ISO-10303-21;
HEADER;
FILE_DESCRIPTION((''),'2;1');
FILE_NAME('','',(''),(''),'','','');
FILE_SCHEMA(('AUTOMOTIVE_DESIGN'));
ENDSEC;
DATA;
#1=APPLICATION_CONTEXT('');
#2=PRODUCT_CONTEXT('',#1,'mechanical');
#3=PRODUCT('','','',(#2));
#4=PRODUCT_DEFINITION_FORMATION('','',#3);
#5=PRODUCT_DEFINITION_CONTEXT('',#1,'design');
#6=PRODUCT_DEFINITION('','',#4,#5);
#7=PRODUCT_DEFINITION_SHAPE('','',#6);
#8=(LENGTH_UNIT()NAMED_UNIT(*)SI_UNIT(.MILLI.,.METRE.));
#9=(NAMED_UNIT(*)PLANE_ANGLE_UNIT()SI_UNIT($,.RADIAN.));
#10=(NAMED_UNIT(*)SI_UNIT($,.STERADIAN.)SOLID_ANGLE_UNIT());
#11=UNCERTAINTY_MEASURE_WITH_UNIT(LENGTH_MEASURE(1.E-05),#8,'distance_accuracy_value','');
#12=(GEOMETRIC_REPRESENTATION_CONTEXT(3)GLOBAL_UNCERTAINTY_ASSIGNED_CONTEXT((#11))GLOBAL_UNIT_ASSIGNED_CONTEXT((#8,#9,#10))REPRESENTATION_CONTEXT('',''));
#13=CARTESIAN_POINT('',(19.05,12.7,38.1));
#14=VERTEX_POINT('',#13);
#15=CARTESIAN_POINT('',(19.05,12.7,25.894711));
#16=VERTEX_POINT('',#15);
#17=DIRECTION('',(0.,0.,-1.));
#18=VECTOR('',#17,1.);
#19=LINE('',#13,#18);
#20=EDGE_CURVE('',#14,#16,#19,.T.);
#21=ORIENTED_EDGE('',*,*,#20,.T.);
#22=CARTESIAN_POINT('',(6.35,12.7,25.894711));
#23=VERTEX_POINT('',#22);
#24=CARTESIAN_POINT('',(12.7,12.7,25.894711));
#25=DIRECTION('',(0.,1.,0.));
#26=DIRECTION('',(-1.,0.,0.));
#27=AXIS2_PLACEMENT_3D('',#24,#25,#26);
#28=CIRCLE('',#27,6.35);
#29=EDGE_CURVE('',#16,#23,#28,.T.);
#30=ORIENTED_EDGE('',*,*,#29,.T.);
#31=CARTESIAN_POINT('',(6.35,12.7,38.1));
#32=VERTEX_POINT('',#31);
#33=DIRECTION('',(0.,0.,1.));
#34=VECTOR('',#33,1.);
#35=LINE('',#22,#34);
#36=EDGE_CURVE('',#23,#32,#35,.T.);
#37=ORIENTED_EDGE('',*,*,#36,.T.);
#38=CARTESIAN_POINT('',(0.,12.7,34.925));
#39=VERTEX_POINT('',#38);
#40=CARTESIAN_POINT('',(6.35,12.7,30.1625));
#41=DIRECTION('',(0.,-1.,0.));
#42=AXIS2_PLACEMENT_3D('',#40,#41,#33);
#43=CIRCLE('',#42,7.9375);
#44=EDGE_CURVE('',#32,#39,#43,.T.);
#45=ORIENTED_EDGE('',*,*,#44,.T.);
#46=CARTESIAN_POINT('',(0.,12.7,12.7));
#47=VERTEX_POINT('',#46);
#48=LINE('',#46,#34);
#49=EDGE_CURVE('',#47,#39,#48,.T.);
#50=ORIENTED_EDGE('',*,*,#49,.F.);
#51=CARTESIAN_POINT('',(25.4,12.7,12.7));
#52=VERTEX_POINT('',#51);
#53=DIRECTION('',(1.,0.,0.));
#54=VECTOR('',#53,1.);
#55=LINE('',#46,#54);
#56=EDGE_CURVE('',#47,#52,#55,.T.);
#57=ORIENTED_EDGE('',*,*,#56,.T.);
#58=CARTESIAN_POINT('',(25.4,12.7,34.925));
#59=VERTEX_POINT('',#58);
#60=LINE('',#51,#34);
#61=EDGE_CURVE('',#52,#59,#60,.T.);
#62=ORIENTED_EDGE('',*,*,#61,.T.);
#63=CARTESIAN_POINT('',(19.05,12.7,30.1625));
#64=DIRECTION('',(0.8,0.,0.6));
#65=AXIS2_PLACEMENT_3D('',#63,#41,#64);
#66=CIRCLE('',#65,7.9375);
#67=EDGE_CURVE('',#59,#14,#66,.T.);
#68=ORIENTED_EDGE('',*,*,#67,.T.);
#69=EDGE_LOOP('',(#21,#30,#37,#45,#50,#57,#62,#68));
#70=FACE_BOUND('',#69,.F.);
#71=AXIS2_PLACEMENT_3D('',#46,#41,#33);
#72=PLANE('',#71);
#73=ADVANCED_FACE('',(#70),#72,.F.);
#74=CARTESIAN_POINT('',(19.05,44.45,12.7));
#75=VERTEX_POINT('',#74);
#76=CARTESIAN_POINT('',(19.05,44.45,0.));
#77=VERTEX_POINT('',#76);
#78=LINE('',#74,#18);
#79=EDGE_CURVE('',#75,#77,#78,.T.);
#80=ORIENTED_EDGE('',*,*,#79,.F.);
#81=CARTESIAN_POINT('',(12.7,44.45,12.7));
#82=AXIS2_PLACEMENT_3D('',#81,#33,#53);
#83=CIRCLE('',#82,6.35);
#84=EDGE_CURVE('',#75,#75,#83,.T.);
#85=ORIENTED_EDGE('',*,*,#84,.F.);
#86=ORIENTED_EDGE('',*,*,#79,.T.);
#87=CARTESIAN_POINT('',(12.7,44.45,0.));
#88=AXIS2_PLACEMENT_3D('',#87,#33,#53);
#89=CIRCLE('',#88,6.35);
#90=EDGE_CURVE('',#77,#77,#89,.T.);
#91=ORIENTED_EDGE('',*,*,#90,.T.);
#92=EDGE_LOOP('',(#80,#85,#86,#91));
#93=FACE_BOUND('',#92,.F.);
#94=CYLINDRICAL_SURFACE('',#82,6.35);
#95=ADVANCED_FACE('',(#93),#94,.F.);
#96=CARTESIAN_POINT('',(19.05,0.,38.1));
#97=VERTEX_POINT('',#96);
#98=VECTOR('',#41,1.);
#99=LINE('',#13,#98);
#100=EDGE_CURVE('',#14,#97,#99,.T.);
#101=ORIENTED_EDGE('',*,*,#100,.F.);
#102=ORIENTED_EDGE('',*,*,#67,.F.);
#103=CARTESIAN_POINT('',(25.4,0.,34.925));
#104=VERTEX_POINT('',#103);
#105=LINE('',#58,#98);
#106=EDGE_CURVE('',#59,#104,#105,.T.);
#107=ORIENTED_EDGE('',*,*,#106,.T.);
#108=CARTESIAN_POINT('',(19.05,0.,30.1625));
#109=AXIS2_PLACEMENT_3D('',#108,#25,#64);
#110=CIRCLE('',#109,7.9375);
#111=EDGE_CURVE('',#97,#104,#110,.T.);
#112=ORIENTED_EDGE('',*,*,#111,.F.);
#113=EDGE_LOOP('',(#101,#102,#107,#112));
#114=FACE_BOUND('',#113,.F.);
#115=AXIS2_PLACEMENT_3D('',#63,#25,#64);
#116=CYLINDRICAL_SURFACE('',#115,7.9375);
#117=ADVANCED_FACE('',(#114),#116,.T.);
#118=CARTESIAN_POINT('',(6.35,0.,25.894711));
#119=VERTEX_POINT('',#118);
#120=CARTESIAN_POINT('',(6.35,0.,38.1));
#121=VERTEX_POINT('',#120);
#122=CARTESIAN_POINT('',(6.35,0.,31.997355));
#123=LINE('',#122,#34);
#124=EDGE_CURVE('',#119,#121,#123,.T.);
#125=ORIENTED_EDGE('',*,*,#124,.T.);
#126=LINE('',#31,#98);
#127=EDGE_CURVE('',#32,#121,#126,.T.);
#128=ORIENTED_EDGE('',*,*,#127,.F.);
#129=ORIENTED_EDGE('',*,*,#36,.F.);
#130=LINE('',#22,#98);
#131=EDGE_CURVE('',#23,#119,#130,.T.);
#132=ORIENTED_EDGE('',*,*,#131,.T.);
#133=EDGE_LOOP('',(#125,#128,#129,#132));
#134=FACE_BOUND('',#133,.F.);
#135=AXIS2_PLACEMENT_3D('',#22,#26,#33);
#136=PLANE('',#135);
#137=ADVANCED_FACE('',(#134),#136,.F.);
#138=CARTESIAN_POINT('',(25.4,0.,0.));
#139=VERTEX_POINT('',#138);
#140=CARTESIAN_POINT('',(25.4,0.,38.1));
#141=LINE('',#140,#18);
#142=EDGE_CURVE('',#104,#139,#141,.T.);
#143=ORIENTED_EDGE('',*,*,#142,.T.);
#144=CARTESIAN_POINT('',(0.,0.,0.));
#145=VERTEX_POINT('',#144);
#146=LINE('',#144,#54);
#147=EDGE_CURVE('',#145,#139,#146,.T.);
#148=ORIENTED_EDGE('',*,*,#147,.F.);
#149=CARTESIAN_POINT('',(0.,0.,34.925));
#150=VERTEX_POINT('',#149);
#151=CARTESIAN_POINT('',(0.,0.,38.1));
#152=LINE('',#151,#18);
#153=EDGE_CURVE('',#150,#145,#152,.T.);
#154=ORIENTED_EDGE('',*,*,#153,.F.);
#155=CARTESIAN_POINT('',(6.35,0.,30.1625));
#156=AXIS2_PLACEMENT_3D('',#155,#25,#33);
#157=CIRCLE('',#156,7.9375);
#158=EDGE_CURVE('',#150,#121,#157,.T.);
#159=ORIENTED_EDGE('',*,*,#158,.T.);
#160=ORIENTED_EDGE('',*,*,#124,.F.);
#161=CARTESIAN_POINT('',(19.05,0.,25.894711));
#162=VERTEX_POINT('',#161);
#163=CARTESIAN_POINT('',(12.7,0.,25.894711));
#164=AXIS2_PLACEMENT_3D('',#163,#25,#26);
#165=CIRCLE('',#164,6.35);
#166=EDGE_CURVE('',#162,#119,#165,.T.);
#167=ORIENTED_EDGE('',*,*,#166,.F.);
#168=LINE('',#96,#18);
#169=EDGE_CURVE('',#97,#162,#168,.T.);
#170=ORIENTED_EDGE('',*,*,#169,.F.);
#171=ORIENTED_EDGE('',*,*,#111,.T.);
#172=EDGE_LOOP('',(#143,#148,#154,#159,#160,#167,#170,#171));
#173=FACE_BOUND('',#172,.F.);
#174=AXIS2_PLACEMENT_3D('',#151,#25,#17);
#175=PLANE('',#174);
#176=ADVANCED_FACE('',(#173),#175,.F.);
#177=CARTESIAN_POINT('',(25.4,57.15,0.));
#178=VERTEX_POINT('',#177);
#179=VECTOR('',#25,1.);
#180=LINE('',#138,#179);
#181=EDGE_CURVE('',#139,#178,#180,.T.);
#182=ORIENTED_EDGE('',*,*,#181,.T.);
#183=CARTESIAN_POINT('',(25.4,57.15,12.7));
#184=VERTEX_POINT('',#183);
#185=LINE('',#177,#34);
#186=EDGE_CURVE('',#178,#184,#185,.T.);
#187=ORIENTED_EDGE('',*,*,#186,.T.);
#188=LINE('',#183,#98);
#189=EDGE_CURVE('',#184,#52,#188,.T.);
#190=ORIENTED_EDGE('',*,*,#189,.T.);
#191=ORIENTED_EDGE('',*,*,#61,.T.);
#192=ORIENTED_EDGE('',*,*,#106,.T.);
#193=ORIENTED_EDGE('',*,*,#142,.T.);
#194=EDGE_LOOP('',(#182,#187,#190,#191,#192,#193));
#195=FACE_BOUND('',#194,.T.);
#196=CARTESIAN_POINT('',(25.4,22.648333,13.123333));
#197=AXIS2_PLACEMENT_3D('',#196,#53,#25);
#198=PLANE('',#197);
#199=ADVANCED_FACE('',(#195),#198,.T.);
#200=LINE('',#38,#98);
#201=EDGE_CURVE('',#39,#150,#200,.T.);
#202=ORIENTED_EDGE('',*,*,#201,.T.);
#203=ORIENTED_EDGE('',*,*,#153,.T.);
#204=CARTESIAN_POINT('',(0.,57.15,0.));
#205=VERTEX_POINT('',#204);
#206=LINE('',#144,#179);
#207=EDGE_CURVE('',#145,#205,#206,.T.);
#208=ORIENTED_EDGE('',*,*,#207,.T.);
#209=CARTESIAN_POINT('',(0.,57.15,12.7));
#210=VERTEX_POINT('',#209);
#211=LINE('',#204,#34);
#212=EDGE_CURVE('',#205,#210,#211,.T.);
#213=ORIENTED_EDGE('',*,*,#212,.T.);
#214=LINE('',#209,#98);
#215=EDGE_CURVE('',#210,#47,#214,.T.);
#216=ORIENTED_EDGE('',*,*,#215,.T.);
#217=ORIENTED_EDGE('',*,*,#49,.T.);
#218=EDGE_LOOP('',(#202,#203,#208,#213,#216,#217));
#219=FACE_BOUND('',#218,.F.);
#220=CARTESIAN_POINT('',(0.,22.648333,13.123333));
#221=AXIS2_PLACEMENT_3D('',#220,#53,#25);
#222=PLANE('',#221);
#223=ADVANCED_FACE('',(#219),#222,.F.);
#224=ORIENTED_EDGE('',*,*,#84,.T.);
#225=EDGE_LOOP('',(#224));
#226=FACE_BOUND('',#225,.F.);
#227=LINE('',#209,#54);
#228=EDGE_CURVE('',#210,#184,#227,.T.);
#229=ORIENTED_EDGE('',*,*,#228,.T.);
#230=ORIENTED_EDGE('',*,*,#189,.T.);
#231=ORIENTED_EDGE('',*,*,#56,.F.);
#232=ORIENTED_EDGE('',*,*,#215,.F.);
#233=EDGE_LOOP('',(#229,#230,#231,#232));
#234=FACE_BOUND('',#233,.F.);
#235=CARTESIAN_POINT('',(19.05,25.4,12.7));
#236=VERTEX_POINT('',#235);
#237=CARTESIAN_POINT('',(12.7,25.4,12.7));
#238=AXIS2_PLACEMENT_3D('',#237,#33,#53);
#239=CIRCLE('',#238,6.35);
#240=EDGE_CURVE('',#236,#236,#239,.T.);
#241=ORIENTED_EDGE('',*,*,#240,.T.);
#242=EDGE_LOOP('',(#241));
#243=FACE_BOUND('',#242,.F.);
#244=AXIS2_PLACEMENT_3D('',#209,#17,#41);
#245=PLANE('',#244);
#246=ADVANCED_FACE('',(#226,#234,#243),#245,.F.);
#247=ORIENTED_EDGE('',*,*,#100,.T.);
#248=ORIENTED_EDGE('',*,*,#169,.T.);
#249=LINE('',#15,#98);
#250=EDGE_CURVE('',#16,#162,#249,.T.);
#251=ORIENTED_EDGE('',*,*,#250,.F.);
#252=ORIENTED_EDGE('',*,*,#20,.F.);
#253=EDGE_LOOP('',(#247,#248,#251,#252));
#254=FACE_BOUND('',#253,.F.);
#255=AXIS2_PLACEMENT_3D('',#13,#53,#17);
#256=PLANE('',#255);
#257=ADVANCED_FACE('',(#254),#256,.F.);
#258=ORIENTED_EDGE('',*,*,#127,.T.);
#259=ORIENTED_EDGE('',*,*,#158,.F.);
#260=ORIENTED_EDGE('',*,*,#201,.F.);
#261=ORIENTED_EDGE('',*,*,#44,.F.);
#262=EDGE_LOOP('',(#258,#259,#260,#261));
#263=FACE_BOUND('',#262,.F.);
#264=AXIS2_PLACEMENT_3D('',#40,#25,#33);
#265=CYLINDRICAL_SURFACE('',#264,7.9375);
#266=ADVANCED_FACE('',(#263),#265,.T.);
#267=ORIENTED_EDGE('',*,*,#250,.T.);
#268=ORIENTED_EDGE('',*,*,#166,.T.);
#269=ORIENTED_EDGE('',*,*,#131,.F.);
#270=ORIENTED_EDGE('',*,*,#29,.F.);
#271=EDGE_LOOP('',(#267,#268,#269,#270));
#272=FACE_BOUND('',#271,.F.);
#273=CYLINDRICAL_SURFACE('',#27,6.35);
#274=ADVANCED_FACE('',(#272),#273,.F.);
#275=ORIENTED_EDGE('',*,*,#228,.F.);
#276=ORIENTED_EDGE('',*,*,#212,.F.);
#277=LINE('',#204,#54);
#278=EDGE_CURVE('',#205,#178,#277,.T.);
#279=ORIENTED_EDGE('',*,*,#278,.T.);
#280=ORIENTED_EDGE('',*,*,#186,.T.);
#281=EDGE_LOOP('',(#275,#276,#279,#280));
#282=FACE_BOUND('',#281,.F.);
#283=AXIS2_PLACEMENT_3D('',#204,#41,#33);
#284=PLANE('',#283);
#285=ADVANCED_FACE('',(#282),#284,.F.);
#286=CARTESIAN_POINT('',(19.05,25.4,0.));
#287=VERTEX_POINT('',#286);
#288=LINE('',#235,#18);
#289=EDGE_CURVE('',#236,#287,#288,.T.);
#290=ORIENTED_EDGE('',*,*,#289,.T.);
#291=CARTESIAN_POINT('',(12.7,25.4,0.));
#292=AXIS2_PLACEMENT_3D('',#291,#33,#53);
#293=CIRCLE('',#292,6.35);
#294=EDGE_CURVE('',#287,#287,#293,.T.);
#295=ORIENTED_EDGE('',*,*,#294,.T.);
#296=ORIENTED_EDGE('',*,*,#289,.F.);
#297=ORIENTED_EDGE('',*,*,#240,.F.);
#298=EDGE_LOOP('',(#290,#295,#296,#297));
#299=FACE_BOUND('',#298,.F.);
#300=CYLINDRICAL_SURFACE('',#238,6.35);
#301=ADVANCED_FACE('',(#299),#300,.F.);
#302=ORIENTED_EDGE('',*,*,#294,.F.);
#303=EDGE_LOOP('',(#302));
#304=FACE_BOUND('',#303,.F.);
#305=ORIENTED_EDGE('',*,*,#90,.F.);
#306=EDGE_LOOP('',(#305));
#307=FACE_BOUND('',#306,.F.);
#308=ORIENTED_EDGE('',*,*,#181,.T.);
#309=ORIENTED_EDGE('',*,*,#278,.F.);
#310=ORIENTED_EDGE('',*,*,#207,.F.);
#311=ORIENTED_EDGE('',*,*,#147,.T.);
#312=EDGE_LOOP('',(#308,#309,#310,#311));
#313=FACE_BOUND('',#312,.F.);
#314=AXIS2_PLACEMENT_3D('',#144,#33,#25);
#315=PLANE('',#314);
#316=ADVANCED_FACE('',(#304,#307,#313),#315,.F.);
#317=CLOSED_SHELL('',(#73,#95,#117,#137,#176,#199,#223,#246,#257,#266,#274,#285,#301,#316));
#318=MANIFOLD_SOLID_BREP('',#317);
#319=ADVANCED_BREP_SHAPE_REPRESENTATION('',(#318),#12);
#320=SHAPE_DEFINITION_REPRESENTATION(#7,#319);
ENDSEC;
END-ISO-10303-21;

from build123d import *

# Parameters (mm, degrees)
F1_DEPTH = 25.4
F3_DEPTH = 25.4
F5_DEPTH = 25.4
F7_DEPTH = 25.4
F8_R     = 6.35
F9_DEPTH = 25.4


with BuildPart() as f1:
    # F0 (on Right) → F1 (new body)
    with BuildSketch(Plane.YZ):
        Polygon((0, 38.1), (0, 0), (57.15, 0), (57.15, 12.7), (12.7, 12.7), (12.7, 38.1), align=None)
    extrude(amount=F1_DEPTH)

    # F2 (on face) → F3 (cut)
    with BuildSketch(Plane(origin=(0, 12.7, 0), x_dir=(-1, 0, 0), z_dir=(0, 1, 0))):
        with BuildLine():
            ThreePointArc((-19.05, 25.8947107941), (-12.7, 19.5447107941), (-6.35, 25.8947107941))
            ThreePointArc((-6.35, 25.8947107941), (-12.7, 32.2447107941), (-19.05, 25.8947107941))
        make_face()
        with BuildLine():
            ThreePointArc((-19.05, 25.8947107941), (-12.7, 32.2447107941), (-6.35, 25.8947107941))
            Line((-6.35, 25.8947107941), (-6.35, 38.1))
            Line((-6.35, 38.1), (-19.05, 38.1))
            Line((-19.05, 38.1), (-19.05, 25.8947107941))
        make_face()
    extrude(amount=-F3_DEPTH, mode=Mode.SUBTRACT)

    # F4 (on face) → F5 (cut)
    with BuildSketch(Plane(origin=(0, 12.7, 0), x_dir=(-1, 0, 0), z_dir=(0, 1, 0))):
        with BuildLine():
            ThreePointArc((-25.4, 34.925), (-22.5997579143, 37.2620158286), (-19.05, 38.1))
            Line((-19.05, 38.1), (-25.4, 38.1))
            Line((-25.4, 38.1), (-25.4, 34.925))
        make_face()
    extrude(amount=-F5_DEPTH, mode=Mode.SUBTRACT)

    # F6 (on face) → F7 (cut)
    with BuildSketch(Plane(origin=(0, 12.7, 0), x_dir=(-1, 0, 0), z_dir=(0, 1, 0))):
        with BuildLine():
            ThreePointArc((-6.35, 38.1), (-2.8002420857, 37.2620158286), (0, 34.925))
            Line((0, 34.925), (0, 38.1))
            Line((0, 38.1), (-6.35, 38.1))
        make_face()
    extrude(amount=-F7_DEPTH, mode=Mode.SUBTRACT)

    # F8 (on face) → F9 (cut)
    with BuildSketch(Plane.XY.offset(12.7)):
        with Locations((12.7, 44.45)):
            Circle(F8_R)
        with Locations((12.7, 25.4)):
            Circle(F8_R)
    extrude(amount=-F9_DEPTH, mode=Mode.SUBTRACT)


solid = f1.part
